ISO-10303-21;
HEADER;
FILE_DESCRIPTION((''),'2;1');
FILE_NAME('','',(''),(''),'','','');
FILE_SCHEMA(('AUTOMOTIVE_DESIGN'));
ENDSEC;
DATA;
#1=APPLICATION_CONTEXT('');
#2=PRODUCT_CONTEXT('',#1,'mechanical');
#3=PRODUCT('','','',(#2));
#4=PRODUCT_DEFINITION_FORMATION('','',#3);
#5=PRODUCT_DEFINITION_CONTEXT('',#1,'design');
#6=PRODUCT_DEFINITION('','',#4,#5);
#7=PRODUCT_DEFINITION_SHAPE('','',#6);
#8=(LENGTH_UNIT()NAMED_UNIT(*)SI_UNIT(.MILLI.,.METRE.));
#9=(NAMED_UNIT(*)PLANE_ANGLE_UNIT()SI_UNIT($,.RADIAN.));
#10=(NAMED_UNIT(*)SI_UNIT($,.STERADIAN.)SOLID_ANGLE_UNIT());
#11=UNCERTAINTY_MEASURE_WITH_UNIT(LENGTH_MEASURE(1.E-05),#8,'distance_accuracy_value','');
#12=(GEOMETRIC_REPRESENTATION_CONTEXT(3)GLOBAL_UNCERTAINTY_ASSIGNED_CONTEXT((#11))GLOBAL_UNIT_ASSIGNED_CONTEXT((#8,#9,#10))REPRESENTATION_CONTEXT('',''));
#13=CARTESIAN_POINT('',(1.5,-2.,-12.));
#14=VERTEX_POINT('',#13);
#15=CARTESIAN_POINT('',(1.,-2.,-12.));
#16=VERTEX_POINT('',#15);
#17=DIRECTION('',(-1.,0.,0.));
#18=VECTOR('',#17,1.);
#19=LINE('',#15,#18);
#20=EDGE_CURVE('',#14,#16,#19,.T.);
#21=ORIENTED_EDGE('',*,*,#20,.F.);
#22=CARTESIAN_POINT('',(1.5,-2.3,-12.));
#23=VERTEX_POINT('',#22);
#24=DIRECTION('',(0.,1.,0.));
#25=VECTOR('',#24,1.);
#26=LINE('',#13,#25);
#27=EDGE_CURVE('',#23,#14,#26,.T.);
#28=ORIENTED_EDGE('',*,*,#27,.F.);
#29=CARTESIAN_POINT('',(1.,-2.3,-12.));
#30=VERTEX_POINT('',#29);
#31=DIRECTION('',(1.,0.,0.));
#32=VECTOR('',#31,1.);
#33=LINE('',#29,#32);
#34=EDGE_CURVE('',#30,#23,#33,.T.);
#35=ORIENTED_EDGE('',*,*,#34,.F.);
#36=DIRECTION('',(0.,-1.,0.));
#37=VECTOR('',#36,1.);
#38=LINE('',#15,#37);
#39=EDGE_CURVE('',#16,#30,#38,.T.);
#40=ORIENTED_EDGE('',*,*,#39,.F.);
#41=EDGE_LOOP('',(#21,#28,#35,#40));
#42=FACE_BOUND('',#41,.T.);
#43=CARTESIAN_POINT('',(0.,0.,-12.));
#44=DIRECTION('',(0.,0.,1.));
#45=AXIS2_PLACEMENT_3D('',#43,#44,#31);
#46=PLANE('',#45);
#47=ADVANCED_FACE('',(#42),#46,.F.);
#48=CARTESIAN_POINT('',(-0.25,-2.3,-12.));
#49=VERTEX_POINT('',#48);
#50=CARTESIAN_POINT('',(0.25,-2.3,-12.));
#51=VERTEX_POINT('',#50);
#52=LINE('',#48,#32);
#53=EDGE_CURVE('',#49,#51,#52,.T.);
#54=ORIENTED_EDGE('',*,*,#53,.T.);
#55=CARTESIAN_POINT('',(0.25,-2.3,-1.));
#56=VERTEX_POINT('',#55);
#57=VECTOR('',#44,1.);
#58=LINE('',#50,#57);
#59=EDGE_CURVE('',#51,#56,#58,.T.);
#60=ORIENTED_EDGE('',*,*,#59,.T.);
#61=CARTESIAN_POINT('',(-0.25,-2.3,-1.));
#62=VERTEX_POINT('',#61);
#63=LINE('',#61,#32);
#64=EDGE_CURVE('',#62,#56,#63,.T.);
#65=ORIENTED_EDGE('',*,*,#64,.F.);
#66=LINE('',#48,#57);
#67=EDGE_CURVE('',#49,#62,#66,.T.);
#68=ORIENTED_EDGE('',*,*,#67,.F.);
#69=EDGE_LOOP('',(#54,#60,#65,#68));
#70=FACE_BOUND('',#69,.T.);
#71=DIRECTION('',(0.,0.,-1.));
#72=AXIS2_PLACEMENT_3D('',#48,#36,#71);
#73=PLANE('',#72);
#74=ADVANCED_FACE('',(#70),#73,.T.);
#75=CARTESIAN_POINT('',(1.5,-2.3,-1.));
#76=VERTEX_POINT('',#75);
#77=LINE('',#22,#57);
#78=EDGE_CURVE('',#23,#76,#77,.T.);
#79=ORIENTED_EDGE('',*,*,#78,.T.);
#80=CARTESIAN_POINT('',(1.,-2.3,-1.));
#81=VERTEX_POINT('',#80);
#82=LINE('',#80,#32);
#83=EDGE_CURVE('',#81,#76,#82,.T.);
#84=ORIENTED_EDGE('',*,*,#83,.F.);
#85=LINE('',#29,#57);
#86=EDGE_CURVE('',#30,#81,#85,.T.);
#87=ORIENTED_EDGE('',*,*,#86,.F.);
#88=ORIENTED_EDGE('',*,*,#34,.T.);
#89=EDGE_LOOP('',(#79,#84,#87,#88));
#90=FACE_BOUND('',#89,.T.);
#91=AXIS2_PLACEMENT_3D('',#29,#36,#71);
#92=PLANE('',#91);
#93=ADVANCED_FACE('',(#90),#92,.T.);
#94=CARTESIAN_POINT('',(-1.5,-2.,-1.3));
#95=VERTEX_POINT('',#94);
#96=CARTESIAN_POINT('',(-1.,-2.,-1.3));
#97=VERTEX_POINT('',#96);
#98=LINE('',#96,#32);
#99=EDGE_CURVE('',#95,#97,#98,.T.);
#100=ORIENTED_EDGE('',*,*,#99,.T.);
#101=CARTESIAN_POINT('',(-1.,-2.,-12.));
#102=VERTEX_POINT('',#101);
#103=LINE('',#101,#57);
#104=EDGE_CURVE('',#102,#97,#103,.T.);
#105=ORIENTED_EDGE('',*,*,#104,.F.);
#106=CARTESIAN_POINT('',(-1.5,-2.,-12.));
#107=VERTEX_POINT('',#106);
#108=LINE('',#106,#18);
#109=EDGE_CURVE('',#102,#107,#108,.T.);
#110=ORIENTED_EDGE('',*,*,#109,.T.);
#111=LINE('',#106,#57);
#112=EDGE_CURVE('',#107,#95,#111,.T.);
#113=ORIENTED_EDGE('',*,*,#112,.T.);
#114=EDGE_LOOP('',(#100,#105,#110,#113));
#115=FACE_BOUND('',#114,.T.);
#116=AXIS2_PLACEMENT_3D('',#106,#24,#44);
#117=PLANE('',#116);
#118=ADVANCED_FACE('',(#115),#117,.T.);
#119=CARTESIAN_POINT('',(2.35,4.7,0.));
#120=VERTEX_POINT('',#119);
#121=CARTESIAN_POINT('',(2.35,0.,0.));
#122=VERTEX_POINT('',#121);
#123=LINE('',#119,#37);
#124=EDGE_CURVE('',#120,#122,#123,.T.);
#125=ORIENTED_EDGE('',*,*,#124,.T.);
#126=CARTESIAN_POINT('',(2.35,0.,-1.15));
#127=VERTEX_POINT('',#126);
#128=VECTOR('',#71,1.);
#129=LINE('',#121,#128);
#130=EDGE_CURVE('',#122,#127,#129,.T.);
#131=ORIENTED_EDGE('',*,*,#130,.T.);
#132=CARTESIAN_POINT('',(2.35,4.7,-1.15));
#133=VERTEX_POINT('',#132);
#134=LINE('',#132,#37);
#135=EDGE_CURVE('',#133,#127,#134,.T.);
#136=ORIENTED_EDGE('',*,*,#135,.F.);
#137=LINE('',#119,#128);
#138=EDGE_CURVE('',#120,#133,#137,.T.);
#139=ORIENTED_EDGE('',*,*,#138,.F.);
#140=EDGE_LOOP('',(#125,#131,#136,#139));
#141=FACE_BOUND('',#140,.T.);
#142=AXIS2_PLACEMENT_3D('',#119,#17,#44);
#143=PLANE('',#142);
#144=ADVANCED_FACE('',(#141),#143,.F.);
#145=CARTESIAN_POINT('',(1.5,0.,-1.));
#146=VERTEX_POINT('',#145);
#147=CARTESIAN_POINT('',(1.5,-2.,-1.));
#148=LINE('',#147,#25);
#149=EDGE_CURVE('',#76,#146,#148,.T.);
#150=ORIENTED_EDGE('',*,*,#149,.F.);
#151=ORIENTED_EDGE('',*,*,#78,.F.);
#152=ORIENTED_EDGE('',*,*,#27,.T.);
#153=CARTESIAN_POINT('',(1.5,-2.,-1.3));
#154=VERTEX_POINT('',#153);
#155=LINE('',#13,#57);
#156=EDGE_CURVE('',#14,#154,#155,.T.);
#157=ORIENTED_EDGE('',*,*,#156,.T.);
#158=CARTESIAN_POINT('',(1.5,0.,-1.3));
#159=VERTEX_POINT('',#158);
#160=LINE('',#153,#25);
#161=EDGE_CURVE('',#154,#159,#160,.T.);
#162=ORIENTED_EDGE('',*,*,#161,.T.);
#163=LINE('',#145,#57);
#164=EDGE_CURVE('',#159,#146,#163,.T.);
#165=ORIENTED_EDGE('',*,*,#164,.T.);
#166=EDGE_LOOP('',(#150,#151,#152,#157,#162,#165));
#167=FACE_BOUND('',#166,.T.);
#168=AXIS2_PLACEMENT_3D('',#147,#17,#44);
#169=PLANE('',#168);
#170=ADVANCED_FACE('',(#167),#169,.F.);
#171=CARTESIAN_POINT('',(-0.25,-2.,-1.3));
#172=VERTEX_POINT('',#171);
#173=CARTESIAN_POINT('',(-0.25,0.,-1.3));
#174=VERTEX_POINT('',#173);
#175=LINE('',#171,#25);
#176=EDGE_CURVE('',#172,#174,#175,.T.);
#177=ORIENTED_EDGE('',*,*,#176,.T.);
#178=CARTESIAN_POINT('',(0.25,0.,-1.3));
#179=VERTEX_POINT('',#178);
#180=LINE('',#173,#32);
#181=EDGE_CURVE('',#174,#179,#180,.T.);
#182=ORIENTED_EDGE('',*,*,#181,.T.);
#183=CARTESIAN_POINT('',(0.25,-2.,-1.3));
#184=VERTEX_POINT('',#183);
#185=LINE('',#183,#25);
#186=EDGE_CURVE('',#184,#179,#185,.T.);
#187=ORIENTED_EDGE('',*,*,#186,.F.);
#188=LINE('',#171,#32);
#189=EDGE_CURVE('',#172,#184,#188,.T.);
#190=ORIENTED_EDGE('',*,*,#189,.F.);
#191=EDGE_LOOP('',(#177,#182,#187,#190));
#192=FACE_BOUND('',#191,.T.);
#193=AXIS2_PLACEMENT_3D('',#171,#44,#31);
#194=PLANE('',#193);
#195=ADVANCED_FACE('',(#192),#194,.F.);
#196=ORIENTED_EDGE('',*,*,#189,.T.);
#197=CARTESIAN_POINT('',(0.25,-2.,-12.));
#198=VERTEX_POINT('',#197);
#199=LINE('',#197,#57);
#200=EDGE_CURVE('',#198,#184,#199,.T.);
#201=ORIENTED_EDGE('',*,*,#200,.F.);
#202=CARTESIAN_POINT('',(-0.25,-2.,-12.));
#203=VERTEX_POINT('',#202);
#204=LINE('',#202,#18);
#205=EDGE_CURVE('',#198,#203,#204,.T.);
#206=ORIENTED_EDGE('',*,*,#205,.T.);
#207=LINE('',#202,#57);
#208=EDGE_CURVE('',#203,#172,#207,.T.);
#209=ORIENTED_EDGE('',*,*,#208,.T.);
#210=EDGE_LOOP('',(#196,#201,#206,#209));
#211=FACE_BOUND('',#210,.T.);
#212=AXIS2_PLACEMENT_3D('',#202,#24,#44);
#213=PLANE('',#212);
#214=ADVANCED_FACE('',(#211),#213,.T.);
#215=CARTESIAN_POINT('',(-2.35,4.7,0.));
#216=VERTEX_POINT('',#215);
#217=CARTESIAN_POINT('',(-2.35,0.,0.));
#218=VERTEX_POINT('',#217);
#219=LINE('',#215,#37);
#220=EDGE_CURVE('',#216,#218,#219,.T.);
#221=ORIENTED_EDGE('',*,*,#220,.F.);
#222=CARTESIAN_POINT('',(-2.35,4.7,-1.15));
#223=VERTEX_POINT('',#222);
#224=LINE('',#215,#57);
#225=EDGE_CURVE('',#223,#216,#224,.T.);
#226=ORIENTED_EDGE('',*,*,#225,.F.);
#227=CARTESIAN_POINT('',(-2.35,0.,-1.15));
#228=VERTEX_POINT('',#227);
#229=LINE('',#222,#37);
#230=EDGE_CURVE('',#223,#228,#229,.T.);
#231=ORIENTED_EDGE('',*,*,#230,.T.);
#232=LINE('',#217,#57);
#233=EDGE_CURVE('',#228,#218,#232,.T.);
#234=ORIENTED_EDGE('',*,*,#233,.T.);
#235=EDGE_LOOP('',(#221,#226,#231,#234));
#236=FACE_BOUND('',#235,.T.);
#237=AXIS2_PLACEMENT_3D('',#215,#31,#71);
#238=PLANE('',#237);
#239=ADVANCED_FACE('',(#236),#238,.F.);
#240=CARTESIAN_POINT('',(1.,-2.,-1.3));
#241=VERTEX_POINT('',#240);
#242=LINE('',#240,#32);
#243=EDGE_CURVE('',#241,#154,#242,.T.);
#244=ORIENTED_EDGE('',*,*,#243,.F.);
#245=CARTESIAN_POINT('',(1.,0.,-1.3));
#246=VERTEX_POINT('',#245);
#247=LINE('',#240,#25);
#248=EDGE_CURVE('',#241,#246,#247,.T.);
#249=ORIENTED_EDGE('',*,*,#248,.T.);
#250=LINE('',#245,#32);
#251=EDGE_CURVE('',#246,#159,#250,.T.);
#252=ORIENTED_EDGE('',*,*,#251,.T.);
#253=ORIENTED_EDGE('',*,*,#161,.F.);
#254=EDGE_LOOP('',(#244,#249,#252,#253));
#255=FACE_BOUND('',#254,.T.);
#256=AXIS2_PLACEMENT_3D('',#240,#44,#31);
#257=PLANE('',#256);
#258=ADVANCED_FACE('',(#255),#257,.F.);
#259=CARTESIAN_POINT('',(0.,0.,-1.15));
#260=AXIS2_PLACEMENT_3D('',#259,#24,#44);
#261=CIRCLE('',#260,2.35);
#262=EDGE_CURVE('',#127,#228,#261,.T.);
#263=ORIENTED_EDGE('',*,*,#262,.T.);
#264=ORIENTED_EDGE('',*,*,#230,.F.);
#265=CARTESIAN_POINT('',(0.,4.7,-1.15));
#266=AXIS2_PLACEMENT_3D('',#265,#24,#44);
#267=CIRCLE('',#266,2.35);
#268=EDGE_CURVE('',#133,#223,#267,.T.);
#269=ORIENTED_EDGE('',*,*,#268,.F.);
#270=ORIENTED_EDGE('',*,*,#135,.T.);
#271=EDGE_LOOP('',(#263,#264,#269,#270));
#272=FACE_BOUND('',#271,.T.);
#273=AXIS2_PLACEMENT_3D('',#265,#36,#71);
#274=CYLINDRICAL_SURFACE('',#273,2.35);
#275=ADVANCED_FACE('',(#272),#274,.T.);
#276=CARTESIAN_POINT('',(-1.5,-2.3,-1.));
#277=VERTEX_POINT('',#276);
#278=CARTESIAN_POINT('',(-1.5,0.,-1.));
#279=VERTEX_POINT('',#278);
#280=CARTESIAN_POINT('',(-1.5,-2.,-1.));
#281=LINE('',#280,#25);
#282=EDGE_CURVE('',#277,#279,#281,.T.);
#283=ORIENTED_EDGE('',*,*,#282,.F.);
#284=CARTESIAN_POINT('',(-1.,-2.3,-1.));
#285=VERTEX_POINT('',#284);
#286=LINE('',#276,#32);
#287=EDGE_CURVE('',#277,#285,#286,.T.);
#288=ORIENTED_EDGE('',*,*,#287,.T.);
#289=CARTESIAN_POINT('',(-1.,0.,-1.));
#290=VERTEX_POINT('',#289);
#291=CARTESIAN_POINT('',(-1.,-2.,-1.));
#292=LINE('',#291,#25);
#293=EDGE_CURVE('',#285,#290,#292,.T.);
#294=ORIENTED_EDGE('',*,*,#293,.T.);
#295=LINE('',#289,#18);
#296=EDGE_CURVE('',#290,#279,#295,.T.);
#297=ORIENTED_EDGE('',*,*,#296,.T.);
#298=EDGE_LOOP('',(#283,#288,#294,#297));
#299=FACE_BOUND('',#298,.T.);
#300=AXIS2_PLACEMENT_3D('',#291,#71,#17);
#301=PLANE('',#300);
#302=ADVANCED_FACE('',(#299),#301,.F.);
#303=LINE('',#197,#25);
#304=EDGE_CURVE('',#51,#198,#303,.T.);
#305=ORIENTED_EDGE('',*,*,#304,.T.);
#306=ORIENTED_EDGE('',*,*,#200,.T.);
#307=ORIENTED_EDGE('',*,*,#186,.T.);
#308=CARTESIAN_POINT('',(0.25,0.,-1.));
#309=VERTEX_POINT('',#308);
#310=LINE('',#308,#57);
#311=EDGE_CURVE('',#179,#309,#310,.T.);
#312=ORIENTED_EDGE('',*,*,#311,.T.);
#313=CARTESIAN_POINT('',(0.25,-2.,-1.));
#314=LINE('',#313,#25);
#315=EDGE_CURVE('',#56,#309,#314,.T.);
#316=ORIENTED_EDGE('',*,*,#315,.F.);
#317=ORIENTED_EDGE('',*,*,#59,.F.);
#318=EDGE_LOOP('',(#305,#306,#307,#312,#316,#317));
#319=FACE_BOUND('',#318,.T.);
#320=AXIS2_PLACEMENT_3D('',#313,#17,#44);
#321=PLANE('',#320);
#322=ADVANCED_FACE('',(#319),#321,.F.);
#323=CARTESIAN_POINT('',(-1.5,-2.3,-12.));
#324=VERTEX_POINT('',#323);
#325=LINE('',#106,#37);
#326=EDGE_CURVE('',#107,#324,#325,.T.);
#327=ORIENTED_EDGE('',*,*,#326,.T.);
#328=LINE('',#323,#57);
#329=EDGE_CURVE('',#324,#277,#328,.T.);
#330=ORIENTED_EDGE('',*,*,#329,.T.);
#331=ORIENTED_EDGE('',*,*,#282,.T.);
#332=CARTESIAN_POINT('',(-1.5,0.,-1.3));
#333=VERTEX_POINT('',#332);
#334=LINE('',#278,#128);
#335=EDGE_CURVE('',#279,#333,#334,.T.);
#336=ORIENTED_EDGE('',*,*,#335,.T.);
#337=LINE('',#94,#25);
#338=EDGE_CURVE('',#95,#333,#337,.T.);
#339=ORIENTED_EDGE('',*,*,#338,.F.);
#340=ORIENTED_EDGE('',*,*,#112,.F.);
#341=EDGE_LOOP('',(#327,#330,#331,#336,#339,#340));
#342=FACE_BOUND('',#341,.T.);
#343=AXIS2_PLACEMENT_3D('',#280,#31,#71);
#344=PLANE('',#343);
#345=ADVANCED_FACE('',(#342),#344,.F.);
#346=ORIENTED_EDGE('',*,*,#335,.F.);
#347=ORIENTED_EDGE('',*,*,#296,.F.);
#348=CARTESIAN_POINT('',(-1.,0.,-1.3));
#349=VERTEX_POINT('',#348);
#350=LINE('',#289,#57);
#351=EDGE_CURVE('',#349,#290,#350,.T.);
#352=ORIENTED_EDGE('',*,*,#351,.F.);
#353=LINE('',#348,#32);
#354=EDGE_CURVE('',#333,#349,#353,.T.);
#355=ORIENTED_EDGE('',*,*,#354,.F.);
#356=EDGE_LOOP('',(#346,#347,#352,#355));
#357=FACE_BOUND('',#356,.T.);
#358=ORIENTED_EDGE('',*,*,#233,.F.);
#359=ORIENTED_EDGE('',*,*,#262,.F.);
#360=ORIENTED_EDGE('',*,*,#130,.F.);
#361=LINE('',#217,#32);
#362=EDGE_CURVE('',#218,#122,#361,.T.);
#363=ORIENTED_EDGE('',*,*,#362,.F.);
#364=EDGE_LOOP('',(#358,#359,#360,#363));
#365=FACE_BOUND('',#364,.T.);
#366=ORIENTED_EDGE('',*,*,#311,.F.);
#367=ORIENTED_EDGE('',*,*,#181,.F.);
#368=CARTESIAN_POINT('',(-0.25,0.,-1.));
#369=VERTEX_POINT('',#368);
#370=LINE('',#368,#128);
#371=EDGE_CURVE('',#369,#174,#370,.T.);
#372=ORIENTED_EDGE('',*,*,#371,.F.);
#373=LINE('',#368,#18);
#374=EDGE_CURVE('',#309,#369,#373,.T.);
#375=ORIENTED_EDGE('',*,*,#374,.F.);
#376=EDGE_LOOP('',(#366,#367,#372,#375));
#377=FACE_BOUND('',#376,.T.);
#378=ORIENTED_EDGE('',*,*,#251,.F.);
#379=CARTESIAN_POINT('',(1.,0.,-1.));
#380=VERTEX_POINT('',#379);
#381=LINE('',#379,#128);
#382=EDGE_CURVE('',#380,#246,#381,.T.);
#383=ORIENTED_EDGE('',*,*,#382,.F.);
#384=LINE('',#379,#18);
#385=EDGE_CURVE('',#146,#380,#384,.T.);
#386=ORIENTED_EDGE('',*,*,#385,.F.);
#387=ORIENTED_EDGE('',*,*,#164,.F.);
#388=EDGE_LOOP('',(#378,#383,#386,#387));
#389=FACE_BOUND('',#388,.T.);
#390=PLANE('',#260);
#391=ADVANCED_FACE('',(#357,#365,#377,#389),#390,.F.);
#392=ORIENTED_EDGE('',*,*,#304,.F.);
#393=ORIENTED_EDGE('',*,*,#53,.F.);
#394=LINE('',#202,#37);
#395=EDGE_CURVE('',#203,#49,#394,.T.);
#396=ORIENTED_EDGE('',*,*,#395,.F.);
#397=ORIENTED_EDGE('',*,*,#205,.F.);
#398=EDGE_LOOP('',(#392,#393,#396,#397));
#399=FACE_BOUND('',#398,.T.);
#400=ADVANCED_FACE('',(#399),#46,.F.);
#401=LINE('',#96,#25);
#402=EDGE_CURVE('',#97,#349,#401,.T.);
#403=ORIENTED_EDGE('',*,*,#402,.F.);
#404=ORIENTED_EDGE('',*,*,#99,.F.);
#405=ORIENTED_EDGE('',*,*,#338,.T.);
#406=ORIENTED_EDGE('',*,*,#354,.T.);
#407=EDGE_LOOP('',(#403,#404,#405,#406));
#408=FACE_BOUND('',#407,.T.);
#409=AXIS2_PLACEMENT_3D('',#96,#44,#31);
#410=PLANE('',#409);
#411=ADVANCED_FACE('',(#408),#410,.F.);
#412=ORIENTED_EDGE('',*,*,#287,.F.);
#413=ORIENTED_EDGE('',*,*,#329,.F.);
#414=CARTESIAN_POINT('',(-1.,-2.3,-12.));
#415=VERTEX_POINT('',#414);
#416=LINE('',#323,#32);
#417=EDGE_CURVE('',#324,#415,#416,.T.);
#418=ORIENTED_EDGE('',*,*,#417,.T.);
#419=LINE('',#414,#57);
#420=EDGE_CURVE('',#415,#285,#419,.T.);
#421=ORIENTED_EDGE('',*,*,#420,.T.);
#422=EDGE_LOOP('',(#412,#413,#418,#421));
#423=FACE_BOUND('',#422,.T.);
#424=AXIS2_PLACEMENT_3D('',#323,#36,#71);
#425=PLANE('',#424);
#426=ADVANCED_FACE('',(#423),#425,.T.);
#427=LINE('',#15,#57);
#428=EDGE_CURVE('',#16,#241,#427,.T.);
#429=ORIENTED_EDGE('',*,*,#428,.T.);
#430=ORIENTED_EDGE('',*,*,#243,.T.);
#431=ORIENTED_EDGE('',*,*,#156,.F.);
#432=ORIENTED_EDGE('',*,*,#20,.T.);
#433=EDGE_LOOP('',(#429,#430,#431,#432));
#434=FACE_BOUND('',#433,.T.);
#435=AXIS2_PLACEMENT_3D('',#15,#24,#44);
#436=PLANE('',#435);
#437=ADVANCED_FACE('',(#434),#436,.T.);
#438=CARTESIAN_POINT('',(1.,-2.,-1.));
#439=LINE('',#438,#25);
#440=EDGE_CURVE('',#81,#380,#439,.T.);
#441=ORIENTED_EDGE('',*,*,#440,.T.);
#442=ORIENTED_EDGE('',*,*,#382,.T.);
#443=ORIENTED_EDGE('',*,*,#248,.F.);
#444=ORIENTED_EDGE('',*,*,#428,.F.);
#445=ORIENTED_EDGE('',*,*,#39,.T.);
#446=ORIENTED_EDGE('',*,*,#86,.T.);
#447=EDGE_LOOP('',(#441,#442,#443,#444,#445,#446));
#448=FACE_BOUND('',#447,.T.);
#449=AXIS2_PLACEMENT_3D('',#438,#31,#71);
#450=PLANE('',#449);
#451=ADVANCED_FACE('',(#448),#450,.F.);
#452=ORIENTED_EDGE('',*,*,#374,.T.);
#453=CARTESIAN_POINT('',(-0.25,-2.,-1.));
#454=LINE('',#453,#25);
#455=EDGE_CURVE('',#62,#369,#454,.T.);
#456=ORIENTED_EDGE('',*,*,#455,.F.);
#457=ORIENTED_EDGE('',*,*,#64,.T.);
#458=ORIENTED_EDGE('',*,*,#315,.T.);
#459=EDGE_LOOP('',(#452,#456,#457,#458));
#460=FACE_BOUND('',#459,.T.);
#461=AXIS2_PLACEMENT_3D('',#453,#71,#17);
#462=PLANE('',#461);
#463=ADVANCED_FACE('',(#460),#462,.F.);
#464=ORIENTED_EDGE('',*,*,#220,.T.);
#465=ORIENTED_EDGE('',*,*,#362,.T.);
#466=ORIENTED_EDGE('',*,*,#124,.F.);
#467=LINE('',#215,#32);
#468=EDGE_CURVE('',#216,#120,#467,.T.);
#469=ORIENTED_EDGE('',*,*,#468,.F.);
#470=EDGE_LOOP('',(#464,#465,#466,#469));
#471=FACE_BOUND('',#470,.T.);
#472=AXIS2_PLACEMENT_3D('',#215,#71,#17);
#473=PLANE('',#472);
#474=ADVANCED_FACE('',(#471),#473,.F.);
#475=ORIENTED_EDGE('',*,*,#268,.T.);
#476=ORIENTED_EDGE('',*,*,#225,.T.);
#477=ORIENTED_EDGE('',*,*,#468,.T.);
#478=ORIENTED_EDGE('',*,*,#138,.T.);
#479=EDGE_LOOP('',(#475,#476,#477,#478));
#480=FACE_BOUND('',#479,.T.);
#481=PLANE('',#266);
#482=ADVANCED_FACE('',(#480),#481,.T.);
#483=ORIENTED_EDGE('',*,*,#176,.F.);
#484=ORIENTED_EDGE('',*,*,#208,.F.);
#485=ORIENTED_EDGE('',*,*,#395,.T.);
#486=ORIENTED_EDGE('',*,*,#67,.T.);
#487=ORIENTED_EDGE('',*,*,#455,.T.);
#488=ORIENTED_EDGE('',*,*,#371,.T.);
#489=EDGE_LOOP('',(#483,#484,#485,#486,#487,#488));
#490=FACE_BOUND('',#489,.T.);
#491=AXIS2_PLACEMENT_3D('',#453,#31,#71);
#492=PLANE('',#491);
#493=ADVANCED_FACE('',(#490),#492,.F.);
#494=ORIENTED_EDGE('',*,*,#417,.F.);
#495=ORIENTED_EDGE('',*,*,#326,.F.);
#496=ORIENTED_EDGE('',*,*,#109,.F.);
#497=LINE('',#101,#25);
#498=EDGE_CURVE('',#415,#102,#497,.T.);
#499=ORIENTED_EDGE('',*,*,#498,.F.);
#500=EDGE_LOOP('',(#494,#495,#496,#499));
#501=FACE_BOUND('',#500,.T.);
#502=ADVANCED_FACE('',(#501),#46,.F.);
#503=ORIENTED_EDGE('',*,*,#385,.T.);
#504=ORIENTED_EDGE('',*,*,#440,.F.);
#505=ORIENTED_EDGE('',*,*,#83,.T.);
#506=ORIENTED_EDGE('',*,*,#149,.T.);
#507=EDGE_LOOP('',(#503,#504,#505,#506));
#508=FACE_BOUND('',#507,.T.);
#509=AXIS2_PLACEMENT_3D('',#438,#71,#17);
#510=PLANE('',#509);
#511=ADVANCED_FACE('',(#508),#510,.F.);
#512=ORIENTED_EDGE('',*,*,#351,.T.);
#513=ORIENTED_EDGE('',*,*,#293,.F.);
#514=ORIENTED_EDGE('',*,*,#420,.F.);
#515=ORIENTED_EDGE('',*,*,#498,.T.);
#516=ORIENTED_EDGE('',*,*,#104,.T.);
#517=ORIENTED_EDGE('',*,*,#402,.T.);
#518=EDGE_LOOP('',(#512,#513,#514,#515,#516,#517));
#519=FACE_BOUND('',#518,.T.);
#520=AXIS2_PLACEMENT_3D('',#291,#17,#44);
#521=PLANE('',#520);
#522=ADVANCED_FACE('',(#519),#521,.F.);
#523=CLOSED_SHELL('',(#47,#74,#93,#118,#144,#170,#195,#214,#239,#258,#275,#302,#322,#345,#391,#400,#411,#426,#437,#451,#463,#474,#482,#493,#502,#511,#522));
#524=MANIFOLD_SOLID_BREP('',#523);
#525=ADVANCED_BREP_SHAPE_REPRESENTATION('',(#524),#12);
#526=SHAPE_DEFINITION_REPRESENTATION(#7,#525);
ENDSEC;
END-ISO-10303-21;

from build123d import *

# Parameters (mm, degrees)
EXTRUDE_1_DEPTH = 4.7
SKETCH_2_W      = 0.5
SKETCH_2_H      = 0.3
EXTRUDE_2_DEPTH = 2
SKETCH_3_W      = 0.5
SKETCH_3_H      = 0.3
EXTRUDE_3_DEPTH = 11


with BuildPart() as part:
    # 草图1 → 凸台-拉伸1 (new body)
    with BuildSketch(Plane(origin=(0, 0, 0), x_dir=(1, 0, 0), z_dir=(0, 1, 0))):
        with BuildLine():
            Line((-2.35, 0), (2.35, 0))
            Line((2.35, 0), (2.35, 1.15))
            ThreePointArc((2.35, 1.15), (0, 3.5), (-2.35, 1.15))
            Line((-2.35, 1.15), (-2.35, 0))
        make_face()
    extrude(amount=EXTRUDE_1_DEPTH)

    # 草图2 → 凸台-拉伸2 (add)
    with BuildSketch(Plane.XZ):
        with Locations((1.25, -1.15)):
            Rectangle(SKETCH_2_W, SKETCH_2_H)
        with Locations((0, -1.15)):
            Rectangle(SKETCH_2_W, SKETCH_2_H)
        with Locations((-1.25, -1.15)):
            Rectangle(SKETCH_2_W, SKETCH_2_H)
    extrude(amount=EXTRUDE_2_DEPTH)

    # 草图3 → 凸台-拉伸3 (add)
    with BuildSketch(Plane.XY.offset(-1)):
        with Locations((0, -2.15)):
            Rectangle(SKETCH_3_W, SKETCH_3_H)
        with Locations((-1.25, -2.15)):
            Rectangle(SKETCH_3_W, SKETCH_3_H)
        with Locations((1.25, -2.15)):
            Rectangle(SKETCH_3_W, SKETCH_3_H)
    extrude(amount=-EXTRUDE_3_DEPTH)


solid = part.part
